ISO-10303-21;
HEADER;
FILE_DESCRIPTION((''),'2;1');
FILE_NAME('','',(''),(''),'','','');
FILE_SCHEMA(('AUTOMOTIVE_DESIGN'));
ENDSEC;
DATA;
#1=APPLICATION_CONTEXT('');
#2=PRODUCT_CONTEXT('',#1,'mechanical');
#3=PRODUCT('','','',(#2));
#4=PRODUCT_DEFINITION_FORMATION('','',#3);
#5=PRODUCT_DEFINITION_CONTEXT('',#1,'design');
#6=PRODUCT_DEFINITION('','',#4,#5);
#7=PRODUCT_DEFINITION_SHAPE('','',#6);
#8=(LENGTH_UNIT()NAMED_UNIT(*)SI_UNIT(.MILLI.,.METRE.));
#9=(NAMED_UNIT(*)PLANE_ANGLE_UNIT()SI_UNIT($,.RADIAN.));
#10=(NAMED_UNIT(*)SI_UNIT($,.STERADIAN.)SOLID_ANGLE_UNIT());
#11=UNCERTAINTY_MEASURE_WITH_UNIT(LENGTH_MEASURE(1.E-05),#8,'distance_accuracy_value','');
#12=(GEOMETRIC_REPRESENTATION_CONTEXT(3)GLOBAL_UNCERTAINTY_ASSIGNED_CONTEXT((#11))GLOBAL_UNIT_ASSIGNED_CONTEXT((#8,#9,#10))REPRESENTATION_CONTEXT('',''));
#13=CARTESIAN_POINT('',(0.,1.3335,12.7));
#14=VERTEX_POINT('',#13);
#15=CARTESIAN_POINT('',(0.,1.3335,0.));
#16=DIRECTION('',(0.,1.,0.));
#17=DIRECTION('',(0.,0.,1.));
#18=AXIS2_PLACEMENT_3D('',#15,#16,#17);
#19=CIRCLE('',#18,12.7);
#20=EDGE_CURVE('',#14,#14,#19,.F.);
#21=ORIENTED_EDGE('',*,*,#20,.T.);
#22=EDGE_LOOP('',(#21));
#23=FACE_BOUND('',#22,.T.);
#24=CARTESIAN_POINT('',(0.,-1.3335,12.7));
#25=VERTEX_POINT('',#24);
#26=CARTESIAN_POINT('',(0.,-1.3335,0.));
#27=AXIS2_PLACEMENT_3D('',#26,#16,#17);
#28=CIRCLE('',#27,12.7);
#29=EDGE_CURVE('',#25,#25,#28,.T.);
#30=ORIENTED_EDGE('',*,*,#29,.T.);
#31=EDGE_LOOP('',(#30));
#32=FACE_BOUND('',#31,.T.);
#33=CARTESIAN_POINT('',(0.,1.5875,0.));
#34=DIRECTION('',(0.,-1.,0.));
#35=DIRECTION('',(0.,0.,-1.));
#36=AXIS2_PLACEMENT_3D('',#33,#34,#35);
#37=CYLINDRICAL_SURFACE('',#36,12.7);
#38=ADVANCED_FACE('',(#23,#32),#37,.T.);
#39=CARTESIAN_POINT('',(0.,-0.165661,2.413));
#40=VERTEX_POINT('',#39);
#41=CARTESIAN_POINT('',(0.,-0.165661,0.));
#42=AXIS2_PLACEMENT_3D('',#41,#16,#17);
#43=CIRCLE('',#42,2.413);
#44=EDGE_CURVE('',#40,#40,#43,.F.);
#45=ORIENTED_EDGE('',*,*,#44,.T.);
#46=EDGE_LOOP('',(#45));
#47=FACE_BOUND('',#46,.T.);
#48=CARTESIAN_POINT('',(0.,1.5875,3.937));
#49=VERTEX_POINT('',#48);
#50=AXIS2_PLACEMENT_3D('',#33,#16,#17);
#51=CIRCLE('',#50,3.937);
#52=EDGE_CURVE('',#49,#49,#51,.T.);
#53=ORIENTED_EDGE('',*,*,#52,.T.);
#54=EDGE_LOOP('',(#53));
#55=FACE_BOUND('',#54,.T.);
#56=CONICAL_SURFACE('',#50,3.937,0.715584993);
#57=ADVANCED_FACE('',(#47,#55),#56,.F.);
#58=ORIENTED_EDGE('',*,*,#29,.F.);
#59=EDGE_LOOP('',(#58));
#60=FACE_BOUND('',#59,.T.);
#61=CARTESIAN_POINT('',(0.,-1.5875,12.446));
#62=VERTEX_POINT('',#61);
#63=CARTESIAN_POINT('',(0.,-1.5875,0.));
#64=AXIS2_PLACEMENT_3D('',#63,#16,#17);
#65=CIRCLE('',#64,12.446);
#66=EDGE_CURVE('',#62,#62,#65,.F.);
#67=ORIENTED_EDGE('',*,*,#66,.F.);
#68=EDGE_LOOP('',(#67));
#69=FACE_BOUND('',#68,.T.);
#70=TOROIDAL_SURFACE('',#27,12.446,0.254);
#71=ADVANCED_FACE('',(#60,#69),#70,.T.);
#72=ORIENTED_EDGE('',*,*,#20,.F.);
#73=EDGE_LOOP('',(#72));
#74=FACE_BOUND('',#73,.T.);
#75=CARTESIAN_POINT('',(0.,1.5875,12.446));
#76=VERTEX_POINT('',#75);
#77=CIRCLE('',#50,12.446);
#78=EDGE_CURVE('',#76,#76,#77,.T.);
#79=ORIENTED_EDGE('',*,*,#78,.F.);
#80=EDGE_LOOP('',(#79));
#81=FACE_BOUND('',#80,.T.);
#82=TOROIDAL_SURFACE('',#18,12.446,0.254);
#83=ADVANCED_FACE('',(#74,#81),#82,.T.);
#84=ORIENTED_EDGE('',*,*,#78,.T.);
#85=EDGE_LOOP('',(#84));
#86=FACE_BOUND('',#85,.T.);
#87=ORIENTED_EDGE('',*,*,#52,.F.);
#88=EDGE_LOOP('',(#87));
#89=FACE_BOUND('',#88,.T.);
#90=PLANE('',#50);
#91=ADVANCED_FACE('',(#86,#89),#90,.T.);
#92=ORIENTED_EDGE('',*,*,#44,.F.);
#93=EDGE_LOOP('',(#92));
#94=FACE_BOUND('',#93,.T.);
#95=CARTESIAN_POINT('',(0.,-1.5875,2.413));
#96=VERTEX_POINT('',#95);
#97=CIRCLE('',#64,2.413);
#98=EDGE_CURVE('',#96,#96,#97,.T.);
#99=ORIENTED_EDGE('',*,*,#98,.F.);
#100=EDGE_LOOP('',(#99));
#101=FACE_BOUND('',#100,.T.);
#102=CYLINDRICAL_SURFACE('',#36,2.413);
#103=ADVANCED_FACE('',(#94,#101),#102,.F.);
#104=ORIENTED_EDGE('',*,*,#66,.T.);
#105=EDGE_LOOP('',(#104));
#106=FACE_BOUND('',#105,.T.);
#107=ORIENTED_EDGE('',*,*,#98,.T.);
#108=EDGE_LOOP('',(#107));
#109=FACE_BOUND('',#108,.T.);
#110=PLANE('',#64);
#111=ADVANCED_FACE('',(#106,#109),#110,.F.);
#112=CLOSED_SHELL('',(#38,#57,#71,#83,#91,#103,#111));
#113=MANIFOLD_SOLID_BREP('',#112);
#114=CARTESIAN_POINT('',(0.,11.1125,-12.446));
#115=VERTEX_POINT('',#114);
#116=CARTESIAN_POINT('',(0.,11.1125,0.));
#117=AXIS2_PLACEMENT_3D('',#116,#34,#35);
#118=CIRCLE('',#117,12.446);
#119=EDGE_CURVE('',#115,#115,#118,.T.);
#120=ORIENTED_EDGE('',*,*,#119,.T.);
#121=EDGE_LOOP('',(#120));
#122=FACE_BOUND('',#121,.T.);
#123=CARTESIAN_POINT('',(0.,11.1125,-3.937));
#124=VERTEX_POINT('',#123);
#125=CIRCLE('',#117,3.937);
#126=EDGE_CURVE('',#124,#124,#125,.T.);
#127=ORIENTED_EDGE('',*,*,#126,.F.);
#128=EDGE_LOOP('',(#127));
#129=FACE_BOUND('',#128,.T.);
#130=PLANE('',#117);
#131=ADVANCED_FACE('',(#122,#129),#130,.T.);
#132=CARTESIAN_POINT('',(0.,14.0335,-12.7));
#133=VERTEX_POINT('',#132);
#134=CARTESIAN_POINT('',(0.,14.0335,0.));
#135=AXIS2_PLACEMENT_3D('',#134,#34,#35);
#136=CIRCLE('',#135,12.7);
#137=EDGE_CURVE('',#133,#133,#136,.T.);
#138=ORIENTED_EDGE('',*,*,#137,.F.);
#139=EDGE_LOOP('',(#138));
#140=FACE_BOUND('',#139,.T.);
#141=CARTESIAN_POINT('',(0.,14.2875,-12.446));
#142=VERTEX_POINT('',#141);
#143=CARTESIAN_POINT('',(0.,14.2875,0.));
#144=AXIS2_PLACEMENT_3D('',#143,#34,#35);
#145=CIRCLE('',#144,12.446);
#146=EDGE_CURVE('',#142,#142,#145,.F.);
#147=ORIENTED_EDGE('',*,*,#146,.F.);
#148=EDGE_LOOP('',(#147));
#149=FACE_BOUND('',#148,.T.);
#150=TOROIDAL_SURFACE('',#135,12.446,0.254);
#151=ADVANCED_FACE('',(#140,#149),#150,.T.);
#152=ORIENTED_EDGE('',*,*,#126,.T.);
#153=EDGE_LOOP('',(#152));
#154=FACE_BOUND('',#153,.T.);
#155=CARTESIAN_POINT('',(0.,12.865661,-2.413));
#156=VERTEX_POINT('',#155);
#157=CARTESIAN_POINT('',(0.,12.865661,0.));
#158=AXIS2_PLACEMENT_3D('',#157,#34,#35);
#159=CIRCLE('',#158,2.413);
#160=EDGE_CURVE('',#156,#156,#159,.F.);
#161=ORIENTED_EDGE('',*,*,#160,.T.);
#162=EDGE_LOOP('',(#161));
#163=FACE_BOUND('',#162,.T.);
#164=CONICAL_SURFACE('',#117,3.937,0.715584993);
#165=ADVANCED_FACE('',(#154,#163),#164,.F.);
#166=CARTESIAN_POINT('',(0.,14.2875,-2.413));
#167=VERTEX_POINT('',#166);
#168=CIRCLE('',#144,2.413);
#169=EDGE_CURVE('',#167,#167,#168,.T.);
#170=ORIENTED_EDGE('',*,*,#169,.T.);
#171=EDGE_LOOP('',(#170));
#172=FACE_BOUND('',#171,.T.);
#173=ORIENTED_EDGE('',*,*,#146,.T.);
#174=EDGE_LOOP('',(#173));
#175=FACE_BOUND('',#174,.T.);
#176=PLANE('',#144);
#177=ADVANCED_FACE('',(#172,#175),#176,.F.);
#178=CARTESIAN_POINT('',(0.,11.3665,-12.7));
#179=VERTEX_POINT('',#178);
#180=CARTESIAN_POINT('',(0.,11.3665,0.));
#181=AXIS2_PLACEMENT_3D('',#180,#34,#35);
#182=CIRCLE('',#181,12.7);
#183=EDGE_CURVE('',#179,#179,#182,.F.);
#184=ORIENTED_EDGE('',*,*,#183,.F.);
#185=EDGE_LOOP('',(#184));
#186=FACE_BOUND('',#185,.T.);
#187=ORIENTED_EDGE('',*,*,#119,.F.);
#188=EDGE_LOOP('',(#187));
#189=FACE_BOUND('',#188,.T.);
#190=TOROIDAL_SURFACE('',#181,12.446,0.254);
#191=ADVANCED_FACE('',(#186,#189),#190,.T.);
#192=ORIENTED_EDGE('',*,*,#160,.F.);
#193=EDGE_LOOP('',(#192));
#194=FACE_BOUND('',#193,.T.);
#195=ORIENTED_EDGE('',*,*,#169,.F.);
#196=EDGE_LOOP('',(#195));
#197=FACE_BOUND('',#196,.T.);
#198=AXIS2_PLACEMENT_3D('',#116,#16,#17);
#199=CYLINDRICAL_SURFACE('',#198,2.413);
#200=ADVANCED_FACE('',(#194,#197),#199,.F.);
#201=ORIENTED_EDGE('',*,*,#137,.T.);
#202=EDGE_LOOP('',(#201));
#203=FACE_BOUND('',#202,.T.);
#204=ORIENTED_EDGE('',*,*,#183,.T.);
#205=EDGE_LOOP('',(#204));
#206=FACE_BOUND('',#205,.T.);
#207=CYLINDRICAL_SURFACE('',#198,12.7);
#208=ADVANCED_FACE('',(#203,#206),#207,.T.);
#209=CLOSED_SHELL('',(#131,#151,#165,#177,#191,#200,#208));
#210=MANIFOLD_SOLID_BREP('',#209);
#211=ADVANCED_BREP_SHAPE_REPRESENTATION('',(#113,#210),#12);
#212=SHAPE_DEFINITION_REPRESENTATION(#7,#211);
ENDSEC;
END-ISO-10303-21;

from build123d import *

# Parameters (mm, degrees)
SKETCH1_R             = 12.7
SKETCH1_R_2           = 2.413
BOSS_EXTRUDE1_DEPTH   = 1.5875
FILLET1_R             = 0.254
BODY_MOVE_COPY1_ANGLE = 180


with BuildPart() as part:
    # Sketch1 → Boss-Extrude1 (new, symmetric)
    with BuildSketch(Plane(origin=(0, 0, 0), x_dir=(1, 0, 0), z_dir=(0, 1, 0))):
        Circle(SKETCH1_R)
        Circle(SKETCH1_R_2, mode=Mode.SUBTRACT)
    extrude(amount=BOSS_EXTRUDE1_DEPTH, both=True)

    # Fillet1
    fillet1_edges = [part.edges().sort_by_distance(p)[0] for p in [
        (-12.7, -1.5875, 0),
        (-12.7, 1.5875, 0),
    ]]
    fillet(fillet1_edges, radius=FILLET1_R)

    # Cut-Extrude1 cone 1 section (through the dimple's axis) → Cut-Extrude1 (revolve, cut)
    with BuildSketch(Plane(origin=(0, 1.5875, 0), x_dir=(0, 0, 1), z_dir=(1, 0, 0))):
        Polygon((0, 0), (3.937, 0), (0, 4.529000419), align=None)
    revolve(axis=Axis((0, 1.5875, 0), (0, -1, 0)), mode=Mode.SUBTRACT)


with BuildPart() as body_2:
    # Body-Move/Copy1: copy of part
    add(part.part.rotate(Axis((0, 0, 0), (1, 0, 0)), BODY_MOVE_COPY1_ANGLE))


with BuildPart() as body_2_1:
    # Body-Move/Copy2: moved
    add(body_2.part.moved(Location((0, 12.7, 0))))


solid = Compound([part.part, body_2_1.part])
